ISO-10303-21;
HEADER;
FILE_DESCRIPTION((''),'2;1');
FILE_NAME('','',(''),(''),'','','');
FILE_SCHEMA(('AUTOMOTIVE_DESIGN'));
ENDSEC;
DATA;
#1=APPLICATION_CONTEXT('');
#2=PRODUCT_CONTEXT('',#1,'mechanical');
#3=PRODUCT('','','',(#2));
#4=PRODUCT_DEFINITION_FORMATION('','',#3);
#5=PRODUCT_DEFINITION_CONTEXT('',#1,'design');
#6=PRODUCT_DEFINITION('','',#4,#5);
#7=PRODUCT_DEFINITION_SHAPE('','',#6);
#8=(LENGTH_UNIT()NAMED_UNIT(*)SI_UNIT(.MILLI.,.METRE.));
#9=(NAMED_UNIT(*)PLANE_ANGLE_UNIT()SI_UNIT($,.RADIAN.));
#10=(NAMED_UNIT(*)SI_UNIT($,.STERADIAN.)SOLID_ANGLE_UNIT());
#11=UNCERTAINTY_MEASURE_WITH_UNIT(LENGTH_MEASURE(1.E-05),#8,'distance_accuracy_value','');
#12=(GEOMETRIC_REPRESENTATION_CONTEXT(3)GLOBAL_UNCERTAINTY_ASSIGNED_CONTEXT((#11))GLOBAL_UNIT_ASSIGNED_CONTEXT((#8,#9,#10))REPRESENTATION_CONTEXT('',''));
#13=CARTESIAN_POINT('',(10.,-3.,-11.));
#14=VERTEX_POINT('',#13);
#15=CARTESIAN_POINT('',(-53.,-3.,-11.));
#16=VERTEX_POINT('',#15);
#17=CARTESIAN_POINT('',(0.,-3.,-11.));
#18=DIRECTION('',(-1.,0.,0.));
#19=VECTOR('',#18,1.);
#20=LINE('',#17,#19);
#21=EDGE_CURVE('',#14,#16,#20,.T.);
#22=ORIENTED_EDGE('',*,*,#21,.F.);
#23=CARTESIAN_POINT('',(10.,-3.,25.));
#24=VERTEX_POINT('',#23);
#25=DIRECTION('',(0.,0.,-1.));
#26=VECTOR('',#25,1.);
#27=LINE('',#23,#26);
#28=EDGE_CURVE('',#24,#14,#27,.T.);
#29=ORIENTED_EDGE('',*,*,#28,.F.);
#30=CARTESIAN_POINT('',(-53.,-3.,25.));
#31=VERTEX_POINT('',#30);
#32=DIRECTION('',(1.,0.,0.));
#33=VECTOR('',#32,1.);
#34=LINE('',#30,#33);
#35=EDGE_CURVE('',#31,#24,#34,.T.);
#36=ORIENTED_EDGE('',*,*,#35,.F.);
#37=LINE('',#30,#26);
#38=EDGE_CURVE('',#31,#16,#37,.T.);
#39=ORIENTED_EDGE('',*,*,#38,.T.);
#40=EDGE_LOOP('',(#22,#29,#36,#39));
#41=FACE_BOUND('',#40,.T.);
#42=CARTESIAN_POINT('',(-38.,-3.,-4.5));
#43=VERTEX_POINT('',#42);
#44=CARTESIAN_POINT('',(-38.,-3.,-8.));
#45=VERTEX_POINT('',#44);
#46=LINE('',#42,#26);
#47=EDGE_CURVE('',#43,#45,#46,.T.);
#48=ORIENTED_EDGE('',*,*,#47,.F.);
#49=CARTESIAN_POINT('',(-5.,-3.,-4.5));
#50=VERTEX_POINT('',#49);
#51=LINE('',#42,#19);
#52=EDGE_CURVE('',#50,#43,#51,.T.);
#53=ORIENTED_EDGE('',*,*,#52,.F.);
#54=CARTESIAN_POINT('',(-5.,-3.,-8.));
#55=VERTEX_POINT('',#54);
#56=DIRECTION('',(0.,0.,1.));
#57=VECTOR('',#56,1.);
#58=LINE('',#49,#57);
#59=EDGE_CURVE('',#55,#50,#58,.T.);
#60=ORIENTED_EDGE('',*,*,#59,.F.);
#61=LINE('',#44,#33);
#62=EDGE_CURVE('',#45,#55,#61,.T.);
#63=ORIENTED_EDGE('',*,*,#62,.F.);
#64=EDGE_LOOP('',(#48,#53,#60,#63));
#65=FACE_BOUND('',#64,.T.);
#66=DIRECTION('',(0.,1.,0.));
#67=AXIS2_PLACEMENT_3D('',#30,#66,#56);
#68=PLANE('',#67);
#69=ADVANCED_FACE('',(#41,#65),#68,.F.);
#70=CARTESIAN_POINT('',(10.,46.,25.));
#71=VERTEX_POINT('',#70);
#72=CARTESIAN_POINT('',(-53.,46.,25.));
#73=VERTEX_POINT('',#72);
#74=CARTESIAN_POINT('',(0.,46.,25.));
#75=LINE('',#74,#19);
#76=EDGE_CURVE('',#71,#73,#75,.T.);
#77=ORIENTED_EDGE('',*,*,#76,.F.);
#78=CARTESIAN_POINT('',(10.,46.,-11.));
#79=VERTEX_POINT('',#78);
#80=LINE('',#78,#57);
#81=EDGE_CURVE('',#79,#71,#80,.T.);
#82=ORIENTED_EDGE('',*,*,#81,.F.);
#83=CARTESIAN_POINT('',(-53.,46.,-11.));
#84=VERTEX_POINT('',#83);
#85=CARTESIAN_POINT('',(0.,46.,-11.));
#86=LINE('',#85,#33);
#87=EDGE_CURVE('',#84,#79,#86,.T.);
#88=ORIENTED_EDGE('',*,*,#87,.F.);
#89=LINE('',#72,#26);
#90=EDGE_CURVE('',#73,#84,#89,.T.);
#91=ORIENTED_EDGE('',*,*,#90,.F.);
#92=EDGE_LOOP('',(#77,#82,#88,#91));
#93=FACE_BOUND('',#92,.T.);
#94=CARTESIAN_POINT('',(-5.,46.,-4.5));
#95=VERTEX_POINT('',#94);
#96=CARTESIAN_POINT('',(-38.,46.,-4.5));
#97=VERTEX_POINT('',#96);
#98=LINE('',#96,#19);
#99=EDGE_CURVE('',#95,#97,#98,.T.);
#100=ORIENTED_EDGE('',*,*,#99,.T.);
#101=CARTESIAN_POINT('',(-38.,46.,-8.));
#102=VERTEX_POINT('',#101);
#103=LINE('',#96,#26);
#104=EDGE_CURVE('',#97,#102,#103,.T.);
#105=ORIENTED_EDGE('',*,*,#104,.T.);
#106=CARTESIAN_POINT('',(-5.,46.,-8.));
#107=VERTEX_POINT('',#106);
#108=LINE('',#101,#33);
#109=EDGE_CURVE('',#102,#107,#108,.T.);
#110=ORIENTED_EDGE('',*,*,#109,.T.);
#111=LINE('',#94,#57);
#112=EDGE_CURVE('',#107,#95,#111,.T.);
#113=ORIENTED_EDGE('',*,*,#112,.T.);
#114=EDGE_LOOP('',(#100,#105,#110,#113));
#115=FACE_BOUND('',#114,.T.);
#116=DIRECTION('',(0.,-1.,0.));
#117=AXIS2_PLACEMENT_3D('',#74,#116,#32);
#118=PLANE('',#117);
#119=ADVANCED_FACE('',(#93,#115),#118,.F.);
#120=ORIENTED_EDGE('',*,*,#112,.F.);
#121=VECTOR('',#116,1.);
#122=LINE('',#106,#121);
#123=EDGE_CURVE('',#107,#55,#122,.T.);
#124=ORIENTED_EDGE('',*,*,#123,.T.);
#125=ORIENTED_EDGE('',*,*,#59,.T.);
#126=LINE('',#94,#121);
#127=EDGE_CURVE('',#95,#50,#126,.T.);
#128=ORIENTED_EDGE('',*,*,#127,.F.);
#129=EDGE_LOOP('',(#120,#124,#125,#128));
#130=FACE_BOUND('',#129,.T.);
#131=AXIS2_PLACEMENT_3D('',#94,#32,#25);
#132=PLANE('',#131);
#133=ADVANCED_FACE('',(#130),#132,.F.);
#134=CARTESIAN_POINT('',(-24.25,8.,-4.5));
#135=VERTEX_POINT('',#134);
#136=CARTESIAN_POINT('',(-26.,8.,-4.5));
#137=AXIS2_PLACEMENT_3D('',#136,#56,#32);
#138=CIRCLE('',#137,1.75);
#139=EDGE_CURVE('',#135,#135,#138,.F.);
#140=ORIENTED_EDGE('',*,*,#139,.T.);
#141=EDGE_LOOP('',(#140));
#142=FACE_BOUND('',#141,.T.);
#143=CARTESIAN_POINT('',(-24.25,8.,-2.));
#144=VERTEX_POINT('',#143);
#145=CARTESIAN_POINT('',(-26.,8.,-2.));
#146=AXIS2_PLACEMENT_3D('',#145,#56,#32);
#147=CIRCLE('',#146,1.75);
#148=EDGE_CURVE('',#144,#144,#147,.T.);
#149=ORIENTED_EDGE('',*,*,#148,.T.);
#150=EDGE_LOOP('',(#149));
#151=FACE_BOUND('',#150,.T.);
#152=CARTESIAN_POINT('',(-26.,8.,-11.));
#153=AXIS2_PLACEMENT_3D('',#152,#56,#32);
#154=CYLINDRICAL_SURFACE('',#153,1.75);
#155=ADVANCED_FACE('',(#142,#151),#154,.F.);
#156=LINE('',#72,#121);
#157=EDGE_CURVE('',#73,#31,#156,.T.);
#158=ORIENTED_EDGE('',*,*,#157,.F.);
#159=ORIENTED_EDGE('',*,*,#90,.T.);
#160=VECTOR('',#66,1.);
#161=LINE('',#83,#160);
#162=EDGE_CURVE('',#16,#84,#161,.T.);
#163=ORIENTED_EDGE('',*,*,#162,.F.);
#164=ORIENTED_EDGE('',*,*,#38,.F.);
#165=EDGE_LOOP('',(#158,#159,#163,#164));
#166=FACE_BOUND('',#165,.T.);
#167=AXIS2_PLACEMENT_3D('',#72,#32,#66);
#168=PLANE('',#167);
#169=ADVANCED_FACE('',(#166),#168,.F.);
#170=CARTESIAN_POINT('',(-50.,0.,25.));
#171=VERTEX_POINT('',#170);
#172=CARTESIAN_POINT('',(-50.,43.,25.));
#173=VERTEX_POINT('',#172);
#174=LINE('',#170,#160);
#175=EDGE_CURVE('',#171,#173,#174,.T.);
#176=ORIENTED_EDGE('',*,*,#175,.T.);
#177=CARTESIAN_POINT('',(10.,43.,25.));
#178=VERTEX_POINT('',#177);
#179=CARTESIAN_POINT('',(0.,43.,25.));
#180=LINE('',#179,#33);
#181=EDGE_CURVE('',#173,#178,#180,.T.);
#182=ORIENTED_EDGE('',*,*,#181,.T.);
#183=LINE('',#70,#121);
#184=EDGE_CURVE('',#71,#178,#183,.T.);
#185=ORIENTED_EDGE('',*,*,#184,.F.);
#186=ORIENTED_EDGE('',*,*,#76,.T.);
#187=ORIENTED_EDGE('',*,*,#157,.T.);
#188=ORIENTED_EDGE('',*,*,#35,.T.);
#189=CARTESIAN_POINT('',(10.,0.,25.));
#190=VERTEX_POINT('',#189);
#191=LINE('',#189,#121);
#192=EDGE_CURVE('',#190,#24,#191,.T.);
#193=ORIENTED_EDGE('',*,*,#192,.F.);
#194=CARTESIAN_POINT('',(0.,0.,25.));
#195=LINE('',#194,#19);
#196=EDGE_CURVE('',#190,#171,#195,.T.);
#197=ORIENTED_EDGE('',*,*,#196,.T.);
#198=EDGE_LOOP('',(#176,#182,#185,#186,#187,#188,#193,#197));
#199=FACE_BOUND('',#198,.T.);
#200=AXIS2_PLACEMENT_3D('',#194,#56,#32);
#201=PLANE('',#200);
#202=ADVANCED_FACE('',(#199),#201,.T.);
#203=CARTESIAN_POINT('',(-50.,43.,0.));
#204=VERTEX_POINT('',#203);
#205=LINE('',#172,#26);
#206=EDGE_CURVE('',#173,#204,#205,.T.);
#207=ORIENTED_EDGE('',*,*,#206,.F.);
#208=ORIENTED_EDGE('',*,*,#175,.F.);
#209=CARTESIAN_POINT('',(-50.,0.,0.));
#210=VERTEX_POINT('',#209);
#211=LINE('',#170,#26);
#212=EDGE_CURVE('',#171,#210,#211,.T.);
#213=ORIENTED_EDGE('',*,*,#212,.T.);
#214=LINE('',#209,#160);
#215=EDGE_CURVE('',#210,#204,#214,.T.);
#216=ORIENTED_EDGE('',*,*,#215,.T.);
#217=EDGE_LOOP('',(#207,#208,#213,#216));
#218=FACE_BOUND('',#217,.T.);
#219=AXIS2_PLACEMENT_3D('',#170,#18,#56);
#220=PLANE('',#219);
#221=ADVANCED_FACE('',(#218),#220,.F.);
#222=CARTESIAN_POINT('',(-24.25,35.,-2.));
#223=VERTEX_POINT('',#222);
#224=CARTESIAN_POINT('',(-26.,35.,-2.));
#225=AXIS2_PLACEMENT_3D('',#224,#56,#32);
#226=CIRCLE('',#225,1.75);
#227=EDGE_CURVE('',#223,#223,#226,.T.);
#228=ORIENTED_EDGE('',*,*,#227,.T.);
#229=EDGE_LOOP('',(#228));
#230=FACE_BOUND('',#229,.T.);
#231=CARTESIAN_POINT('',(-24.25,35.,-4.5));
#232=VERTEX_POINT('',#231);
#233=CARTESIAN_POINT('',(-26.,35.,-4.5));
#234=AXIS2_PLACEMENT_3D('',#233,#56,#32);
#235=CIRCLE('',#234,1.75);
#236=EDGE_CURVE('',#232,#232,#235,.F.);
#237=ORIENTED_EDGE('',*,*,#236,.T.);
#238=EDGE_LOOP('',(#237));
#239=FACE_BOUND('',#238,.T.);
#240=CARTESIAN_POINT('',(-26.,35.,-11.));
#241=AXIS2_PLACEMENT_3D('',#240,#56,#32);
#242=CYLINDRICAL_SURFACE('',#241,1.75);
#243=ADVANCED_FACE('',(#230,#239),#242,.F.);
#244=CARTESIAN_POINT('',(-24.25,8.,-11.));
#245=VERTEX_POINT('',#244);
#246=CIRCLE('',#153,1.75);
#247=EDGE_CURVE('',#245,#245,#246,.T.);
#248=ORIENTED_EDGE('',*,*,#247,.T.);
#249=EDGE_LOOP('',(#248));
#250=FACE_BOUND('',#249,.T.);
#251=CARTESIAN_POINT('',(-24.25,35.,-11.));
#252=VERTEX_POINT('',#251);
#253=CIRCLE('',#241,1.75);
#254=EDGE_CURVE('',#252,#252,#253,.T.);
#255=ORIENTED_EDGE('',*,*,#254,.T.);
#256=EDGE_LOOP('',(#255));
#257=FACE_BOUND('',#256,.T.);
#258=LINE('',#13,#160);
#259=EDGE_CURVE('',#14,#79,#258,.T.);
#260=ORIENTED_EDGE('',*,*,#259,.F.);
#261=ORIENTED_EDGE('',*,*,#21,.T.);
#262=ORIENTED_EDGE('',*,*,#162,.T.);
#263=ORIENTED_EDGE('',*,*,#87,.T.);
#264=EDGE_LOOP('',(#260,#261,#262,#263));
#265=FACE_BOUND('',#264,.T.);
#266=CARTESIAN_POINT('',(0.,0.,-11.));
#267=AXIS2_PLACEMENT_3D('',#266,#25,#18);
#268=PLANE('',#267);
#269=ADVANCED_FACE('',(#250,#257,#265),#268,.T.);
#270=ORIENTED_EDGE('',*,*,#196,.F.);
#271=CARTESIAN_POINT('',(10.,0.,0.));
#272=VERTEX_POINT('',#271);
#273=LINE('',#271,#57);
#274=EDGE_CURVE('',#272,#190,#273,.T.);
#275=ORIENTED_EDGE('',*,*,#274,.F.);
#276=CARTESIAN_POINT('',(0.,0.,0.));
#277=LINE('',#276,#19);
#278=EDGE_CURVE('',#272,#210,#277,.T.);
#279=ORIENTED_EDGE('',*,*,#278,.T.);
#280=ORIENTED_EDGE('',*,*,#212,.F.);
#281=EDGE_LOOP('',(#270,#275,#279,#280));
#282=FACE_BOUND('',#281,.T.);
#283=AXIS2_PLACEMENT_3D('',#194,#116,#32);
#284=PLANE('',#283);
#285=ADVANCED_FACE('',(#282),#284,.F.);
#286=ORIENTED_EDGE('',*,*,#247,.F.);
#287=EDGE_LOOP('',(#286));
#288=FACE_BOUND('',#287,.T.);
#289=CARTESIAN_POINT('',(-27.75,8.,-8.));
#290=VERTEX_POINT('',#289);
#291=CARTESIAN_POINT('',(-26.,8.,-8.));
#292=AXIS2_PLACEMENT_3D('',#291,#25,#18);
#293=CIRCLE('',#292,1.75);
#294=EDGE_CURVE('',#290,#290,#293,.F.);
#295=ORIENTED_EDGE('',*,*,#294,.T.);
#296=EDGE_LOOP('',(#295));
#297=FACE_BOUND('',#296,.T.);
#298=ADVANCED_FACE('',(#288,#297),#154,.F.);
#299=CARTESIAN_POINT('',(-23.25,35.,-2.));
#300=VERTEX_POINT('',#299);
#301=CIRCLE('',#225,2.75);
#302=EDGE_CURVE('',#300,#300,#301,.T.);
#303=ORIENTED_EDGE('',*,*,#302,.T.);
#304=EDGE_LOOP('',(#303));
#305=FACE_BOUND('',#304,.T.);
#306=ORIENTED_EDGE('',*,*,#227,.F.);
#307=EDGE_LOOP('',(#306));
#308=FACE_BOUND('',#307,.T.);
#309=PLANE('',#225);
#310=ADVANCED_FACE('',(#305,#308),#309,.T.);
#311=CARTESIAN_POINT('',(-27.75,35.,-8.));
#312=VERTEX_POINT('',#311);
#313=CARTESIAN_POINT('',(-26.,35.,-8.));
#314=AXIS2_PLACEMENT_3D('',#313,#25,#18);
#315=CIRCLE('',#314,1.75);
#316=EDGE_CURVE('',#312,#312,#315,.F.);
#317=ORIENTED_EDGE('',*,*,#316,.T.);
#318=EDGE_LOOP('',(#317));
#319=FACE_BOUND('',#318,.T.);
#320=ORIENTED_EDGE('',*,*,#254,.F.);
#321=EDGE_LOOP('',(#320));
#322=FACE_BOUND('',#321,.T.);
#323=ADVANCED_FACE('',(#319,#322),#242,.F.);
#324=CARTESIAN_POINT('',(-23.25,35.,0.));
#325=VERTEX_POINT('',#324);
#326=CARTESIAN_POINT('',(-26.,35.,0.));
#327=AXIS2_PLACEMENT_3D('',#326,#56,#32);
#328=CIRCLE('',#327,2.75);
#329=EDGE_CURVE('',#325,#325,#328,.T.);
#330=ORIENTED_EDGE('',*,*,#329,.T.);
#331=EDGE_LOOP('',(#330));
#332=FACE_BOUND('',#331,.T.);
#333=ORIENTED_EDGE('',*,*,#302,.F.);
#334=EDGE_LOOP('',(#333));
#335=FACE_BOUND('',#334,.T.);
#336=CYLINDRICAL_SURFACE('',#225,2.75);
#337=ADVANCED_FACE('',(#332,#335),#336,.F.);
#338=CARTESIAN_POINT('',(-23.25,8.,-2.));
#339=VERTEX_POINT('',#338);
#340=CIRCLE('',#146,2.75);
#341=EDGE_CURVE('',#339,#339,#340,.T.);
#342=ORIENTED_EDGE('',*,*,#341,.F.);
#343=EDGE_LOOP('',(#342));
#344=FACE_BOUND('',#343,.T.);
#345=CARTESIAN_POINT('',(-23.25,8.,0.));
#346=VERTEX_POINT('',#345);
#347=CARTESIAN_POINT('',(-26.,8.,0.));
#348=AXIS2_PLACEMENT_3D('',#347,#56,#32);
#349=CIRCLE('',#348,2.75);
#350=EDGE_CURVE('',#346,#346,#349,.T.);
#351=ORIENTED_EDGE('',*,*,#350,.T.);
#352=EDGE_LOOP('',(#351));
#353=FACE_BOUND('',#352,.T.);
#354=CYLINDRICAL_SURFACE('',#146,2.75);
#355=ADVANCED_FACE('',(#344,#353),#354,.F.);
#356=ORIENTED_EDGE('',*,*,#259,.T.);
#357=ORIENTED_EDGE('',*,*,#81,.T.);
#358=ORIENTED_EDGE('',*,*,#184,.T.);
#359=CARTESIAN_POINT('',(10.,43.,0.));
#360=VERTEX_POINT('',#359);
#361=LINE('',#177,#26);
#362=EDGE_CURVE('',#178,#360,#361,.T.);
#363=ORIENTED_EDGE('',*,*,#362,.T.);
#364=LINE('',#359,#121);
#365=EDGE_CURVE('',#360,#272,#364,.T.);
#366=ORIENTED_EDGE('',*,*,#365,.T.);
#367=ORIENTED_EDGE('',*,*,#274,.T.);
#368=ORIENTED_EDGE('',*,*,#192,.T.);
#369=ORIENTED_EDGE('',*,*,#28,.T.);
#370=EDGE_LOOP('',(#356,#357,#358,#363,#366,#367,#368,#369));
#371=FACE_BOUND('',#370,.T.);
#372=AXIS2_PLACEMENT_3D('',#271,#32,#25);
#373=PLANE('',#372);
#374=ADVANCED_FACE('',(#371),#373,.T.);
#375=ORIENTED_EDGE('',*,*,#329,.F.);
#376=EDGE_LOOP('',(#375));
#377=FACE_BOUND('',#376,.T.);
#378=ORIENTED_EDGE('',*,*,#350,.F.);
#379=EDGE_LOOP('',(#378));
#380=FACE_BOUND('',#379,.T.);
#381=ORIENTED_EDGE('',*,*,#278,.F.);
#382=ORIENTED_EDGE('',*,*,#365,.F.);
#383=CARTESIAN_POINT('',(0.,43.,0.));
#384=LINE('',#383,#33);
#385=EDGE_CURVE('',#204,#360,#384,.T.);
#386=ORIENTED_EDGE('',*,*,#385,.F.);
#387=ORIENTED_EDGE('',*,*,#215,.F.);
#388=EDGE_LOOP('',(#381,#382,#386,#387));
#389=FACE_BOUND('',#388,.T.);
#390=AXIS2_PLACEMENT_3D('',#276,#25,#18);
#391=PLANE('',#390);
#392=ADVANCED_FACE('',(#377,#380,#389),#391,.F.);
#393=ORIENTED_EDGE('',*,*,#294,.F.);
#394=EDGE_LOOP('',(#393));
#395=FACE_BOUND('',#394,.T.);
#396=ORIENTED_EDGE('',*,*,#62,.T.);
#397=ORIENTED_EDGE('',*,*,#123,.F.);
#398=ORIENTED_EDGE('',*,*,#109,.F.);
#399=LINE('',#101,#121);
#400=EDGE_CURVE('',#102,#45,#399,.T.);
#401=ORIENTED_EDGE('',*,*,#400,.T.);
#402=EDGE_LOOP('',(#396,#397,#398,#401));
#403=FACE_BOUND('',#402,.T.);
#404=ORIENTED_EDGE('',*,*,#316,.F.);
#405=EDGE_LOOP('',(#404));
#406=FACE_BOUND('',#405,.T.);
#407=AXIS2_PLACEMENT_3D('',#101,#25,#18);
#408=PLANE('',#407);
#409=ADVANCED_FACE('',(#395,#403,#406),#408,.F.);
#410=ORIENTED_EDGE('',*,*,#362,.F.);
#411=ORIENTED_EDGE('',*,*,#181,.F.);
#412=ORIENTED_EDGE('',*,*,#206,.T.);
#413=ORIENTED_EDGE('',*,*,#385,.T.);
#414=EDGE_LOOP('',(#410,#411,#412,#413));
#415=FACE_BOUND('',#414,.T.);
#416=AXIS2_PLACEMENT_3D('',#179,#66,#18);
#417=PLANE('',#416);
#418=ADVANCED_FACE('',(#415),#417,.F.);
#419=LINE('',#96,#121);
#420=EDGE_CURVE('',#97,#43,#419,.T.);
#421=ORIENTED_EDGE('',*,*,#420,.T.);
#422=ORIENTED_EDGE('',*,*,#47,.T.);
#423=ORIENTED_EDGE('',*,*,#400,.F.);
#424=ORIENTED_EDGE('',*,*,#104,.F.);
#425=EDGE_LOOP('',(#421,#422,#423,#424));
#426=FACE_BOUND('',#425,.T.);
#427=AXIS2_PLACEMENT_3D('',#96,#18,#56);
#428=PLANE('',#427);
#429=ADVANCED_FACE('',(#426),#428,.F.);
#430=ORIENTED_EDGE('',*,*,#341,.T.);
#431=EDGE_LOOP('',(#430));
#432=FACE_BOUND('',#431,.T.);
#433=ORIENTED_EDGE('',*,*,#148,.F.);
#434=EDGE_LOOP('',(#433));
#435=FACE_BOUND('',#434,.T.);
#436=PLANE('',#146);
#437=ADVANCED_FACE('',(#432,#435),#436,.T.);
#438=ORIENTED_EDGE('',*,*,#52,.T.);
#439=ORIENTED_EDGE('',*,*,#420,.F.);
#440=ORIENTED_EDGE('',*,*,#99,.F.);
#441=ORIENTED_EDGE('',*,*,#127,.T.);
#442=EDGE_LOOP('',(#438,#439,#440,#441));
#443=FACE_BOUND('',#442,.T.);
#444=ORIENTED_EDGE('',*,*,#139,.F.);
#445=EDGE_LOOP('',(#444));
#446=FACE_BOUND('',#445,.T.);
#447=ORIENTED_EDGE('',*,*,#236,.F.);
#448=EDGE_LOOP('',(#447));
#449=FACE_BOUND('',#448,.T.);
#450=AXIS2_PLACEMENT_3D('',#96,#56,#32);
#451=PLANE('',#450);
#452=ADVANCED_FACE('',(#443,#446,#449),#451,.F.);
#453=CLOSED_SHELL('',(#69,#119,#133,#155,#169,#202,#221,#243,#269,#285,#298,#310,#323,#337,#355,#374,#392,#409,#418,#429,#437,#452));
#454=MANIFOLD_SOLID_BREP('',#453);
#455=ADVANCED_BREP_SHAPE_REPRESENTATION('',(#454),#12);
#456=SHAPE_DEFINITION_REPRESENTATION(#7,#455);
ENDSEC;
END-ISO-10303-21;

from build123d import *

# Parameters (mm, degrees)
EXTRUDE_1_DEPTH     = 25
SKETCH_2_W          = 53
SKETCH_2_H          = 49
EXTRUDE_2_DEPTH     = 11
SKETCH_4_R          = 2.75
CUT_EXTRUDE_1_DEPTH = 2
SKETCH_5_R          = 1.75
CUT_EXTRUDE_2_DEPTH = 76.193084788
SKETCH_8_W          = 33
SKETCH_8_H          = 3.5
CUT_EXTRUDE_3_DEPTH = 77.387171698
EXTRUDE_3_DEPTH     = 10


with BuildPart() as part:
    # 草图1 → 凸台-拉伸1 (new body)
    with BuildSketch(Plane.XY):
        Polygon((0, 43), (0, 46), (-53, 46), (-53, -3), (0, -3), (0, 0), (-50, 0), (-50, 43), align=None)
    extrude(amount=EXTRUDE_1_DEPTH)

    # 草图2 → 凸台-拉伸2 (add)
    with BuildSketch(Plane(origin=(0, 0, 0), x_dir=(-1, 0, 0), z_dir=(0, 0, -1))):
        with Locations((26.5, 21.5)):
            Rectangle(SKETCH_2_W, SKETCH_2_H)
    extrude(amount=EXTRUDE_2_DEPTH)

    # 草图4 → 切除-拉伸1 (cut)
    with BuildSketch(Plane.XY):
        with Locations((-26, 35)):
            Circle(SKETCH_4_R)
        with Locations((-26, 8)):
            Circle(SKETCH_4_R)
    extrude(amount=-CUT_EXTRUDE_1_DEPTH, mode=Mode.SUBTRACT)

    # 草图5 → 切除-拉伸2 (cut, through all)
    with BuildSketch(Plane.XY.offset(-2)):
        with Locations((-26, 8)):
            Circle(SKETCH_5_R)
        with Locations((-26, 35)):
            Circle(SKETCH_5_R)
    extrude(amount=-CUT_EXTRUDE_2_DEPTH, mode=Mode.SUBTRACT)

    # 草图8 → 切除-拉伸3 (cut, through all)
    with BuildSketch(Plane.XZ.offset(3)):
        with Locations((-21.5, -6.25)):
            Rectangle(SKETCH_8_W, SKETCH_8_H)
    extrude(amount=-CUT_EXTRUDE_3_DEPTH, mode=Mode.SUBTRACT)

    # 草图9 → 凸台-拉伸3 (add)
    with BuildSketch(Plane(origin=(0, 0, 0), x_dir=(0, 0, -1), z_dir=(1, 0, 0))):
        Polygon((-25, 43), (0, 43), (0, 0), (-25, 0), (-25, -3), (11, -3), (11, 46), (-25, 46), align=None)
    extrude(amount=EXTRUDE_3_DEPTH)


solid = part.part
